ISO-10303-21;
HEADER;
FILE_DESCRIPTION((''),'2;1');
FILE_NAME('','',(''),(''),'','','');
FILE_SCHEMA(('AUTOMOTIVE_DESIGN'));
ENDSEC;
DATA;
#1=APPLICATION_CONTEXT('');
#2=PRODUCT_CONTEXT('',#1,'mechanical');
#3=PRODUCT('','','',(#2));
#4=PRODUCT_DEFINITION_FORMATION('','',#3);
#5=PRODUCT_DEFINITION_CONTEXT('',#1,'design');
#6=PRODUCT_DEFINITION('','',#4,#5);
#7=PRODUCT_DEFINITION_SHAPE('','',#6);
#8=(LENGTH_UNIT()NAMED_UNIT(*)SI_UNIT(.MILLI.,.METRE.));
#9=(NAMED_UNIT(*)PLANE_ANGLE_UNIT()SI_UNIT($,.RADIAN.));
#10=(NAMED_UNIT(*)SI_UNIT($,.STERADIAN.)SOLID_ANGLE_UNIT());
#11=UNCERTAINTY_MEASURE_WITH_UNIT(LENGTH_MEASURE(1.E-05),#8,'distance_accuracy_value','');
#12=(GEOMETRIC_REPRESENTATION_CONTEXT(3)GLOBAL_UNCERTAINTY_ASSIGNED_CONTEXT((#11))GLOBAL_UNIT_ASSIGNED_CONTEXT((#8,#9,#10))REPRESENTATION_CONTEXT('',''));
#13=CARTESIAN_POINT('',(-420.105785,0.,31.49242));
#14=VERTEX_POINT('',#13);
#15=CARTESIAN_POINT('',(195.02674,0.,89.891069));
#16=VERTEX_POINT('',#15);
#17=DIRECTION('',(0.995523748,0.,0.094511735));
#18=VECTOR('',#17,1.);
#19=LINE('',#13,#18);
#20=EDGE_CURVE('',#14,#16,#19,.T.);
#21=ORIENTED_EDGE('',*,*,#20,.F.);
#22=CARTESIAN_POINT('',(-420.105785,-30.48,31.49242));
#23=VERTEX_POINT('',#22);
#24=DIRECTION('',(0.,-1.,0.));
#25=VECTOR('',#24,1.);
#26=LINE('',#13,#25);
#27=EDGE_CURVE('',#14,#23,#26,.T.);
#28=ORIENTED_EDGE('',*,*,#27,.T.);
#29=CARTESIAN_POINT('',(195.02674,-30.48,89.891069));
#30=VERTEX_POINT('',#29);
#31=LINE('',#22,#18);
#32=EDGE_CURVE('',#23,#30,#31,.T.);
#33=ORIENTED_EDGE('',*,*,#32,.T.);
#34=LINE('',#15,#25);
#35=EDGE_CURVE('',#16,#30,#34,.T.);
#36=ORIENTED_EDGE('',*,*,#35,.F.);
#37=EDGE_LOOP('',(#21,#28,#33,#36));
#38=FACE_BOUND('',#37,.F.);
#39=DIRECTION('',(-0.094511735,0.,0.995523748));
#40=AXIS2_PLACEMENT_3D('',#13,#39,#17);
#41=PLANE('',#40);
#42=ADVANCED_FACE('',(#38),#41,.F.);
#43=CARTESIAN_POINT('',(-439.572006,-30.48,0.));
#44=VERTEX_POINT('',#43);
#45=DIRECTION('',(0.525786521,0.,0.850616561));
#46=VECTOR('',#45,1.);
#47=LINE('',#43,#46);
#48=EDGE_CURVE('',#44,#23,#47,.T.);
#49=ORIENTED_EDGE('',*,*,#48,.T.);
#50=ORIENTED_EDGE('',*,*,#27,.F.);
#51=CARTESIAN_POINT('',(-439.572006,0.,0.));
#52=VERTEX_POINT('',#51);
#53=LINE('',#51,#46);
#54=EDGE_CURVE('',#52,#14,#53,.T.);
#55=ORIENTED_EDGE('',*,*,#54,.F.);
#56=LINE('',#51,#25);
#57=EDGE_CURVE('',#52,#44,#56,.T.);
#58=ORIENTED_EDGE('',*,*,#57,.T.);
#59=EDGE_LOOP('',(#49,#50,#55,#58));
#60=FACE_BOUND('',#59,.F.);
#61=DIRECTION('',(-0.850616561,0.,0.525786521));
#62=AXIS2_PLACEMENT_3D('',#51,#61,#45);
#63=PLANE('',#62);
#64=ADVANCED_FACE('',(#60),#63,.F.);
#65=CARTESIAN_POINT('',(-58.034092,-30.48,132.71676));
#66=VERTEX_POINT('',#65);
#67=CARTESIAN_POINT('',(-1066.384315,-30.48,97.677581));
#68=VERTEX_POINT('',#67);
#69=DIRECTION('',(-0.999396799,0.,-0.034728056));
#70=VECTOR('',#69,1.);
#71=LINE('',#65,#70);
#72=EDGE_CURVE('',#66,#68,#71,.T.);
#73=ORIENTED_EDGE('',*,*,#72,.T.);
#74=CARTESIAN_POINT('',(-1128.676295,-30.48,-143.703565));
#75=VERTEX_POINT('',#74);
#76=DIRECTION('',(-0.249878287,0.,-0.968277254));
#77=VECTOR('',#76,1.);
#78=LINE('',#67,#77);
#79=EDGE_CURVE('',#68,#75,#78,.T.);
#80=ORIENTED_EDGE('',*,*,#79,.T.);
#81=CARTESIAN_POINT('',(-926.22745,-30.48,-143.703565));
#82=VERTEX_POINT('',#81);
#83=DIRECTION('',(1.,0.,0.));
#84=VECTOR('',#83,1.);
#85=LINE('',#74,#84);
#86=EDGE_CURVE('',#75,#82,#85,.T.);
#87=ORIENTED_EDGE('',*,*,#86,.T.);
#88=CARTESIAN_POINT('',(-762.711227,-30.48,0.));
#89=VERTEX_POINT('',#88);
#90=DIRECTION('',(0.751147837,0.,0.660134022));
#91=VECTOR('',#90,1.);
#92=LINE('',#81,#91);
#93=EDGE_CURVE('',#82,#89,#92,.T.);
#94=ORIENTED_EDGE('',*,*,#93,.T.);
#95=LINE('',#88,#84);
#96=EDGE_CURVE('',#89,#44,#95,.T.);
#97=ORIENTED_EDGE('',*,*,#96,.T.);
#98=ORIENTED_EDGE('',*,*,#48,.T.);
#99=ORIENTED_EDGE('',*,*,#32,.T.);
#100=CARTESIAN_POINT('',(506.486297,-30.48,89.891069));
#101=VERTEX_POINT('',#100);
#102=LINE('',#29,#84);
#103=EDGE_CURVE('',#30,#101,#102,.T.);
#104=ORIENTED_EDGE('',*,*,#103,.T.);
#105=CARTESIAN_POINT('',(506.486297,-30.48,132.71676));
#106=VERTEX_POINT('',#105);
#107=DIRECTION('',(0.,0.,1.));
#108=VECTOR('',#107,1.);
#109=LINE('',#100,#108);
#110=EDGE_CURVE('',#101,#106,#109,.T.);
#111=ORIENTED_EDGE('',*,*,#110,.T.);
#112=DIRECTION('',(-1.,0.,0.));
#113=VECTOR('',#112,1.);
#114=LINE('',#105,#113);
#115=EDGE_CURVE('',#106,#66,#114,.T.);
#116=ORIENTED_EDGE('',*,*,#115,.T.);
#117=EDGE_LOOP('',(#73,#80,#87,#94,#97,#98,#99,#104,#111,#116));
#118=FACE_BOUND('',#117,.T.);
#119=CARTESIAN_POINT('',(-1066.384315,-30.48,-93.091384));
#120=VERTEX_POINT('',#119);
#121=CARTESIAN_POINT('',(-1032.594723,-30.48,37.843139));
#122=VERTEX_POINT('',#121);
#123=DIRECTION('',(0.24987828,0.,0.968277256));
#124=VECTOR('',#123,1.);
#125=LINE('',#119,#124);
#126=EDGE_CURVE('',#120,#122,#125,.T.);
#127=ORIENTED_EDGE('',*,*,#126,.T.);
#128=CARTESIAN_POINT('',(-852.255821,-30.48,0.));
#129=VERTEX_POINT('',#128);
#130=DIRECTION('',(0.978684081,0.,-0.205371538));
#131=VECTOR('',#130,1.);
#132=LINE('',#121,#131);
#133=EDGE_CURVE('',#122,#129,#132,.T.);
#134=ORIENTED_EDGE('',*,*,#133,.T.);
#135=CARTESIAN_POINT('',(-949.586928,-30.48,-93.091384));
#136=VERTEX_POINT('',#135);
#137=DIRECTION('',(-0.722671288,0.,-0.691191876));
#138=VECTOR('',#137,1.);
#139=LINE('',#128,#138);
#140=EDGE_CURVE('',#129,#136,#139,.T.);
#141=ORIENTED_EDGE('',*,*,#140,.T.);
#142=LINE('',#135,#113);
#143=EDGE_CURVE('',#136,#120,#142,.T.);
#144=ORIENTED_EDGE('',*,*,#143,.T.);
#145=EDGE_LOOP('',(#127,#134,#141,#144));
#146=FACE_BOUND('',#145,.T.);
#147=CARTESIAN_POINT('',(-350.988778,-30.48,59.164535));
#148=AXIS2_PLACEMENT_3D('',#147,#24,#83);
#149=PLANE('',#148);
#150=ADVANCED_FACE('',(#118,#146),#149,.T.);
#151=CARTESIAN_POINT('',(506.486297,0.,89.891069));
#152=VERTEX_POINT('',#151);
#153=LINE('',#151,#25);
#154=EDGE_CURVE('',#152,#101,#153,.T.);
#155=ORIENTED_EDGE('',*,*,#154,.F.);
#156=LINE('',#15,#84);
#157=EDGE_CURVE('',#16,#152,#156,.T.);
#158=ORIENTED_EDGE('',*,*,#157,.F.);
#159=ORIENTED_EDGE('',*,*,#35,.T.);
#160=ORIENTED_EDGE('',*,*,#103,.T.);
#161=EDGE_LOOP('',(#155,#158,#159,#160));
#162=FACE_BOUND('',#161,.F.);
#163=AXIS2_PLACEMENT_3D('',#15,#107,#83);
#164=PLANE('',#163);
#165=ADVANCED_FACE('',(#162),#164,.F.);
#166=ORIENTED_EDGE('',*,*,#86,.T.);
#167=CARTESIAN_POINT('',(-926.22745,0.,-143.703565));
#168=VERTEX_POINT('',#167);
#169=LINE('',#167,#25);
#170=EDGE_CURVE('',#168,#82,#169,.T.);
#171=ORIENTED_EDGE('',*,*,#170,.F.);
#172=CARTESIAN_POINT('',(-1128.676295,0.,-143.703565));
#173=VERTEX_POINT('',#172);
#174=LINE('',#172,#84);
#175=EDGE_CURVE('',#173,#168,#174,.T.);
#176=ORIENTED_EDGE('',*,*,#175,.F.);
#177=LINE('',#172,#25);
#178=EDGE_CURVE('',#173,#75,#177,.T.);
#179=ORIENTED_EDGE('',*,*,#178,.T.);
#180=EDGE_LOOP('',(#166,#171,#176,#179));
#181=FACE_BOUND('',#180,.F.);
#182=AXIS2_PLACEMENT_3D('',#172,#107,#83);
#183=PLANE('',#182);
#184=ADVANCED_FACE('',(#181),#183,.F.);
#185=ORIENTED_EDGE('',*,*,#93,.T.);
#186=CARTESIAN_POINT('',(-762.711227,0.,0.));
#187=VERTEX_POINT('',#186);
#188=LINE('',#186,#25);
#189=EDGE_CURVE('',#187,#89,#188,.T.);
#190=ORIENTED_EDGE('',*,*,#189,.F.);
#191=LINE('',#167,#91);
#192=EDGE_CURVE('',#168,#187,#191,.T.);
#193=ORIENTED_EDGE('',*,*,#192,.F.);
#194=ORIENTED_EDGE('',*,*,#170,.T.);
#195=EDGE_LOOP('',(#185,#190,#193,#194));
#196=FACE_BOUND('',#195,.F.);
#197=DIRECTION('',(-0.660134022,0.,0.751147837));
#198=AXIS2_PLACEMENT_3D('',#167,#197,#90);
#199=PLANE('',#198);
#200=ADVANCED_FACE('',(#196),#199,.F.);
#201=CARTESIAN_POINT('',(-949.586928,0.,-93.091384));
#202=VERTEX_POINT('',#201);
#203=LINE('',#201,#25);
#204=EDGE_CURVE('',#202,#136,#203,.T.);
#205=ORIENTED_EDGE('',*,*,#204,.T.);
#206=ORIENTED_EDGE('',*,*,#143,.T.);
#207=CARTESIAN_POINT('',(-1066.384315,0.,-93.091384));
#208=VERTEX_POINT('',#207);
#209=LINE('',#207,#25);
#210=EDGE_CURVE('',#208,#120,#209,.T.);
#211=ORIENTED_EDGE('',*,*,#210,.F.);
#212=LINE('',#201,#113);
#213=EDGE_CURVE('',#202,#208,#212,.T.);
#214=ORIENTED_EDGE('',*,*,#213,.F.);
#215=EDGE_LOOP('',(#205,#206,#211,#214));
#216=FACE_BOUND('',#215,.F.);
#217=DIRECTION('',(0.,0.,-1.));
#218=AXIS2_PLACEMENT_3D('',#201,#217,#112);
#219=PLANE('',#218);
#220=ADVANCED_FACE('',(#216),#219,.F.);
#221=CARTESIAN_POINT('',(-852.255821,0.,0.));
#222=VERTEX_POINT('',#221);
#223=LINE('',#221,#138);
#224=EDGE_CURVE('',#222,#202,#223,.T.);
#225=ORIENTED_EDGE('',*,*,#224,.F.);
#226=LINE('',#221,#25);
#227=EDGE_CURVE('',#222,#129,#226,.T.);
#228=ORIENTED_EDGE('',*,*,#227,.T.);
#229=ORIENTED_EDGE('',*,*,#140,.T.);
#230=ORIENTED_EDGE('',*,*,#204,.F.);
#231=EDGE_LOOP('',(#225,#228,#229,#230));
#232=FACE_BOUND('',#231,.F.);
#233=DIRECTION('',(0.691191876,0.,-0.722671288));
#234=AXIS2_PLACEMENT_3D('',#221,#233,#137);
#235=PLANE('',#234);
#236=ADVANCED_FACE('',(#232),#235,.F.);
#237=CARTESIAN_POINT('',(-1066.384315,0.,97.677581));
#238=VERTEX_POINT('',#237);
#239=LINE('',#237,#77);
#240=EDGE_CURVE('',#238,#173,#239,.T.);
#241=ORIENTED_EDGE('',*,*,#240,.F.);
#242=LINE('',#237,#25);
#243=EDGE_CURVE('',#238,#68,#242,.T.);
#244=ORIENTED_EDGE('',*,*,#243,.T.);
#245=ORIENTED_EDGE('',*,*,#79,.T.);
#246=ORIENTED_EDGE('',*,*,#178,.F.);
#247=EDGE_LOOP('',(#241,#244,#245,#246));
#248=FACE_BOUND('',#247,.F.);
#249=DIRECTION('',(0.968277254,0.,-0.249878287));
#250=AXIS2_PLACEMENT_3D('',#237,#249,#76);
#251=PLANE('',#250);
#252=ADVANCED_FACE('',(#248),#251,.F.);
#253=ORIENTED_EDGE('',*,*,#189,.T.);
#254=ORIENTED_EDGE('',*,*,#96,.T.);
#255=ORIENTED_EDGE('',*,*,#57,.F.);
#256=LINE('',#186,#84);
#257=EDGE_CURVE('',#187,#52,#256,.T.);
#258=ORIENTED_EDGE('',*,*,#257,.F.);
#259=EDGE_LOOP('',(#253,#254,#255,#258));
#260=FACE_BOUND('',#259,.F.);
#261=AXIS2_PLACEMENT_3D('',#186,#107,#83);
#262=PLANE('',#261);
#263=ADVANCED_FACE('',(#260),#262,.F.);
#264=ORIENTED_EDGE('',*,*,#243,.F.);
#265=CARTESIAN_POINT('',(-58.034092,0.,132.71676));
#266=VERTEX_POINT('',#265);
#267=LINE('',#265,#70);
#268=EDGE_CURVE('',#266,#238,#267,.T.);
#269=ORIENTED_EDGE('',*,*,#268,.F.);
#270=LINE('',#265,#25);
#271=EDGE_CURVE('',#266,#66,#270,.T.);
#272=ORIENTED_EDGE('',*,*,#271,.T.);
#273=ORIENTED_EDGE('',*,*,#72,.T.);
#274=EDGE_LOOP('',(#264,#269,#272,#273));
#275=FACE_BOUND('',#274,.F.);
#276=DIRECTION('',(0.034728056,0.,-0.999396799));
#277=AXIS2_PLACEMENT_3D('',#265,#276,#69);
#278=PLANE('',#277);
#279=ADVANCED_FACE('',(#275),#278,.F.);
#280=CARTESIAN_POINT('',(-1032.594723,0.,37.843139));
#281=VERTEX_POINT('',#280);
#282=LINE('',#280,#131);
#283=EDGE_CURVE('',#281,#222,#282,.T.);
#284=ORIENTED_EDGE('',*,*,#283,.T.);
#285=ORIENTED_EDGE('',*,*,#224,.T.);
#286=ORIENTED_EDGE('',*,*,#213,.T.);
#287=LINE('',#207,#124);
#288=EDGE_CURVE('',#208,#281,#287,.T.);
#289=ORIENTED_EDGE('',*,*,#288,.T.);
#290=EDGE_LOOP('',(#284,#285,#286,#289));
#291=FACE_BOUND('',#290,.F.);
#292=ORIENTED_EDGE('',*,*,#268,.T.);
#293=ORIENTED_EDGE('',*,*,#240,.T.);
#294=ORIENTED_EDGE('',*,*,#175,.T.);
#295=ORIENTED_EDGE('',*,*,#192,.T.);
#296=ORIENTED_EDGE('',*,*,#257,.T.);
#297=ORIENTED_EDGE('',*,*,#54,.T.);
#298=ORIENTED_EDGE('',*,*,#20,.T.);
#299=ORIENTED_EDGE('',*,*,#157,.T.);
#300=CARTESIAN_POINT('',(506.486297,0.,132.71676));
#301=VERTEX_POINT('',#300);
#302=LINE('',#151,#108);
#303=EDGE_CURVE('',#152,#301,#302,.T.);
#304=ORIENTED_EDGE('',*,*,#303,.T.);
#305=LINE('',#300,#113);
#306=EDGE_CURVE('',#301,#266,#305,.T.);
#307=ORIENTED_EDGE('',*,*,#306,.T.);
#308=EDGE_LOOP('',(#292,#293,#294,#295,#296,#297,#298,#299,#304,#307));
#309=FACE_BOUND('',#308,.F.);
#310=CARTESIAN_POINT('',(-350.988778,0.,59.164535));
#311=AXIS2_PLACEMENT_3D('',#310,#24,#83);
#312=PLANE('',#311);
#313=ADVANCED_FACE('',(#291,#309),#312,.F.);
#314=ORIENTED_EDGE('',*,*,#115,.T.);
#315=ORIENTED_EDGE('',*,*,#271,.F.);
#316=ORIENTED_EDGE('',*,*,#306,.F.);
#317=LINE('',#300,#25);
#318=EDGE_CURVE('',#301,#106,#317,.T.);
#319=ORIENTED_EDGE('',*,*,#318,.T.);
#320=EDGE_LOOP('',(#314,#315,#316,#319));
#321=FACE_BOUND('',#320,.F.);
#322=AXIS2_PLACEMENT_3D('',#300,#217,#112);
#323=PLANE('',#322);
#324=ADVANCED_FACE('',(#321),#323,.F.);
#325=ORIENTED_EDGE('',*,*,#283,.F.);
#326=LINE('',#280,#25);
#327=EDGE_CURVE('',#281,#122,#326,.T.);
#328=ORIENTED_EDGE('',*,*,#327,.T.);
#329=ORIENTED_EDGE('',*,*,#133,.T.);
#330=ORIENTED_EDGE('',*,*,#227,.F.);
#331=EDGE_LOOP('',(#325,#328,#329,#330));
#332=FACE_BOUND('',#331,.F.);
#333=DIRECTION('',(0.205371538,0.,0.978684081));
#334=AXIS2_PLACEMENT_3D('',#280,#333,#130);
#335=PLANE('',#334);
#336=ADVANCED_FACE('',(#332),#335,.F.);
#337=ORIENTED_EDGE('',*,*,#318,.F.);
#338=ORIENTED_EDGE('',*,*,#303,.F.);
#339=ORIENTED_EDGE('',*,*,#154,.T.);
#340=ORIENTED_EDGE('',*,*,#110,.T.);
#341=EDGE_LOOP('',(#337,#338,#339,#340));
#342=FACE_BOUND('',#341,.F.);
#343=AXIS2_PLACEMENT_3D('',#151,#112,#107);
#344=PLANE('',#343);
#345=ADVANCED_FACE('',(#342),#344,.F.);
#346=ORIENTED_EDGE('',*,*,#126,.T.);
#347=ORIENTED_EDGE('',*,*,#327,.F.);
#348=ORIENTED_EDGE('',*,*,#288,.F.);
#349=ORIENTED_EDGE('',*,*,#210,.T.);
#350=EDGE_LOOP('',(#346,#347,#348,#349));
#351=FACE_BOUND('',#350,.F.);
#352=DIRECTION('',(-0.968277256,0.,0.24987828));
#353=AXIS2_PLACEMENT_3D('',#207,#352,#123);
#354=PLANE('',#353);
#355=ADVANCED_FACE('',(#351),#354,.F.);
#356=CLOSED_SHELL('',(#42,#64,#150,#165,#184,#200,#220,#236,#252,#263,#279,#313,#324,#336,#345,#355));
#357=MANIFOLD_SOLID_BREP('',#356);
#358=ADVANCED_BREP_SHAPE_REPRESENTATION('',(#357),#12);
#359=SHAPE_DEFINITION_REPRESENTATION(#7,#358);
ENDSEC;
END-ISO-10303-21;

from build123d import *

# Parameters (mm, degrees)
F1_DEPTH = 30.48


with BuildPart() as f1:
    # F0 (on Front) → F1 (new body)
    with BuildSketch(Plane.XZ):
        Polygon((-58.034092, 132.71676), (-1066.384315, 97.677581), (-1128.676295, -143.703565), (-926.22745, -143.703565), (-762.711227, 0), (-439.572006, 0), (-420.105785, 31.49242), (195.02674, 89.891069), (506.486297, 89.891069), (506.486297, 132.71676), align=None)
        Polygon((-949.586928, -93.091384), (-1066.384315, -93.091384), (-1032.594723, 37.843139), (-852.255821, 0), align=None, mode=Mode.SUBTRACT)
    extrude(amount=F1_DEPTH)


solid = f1.part
